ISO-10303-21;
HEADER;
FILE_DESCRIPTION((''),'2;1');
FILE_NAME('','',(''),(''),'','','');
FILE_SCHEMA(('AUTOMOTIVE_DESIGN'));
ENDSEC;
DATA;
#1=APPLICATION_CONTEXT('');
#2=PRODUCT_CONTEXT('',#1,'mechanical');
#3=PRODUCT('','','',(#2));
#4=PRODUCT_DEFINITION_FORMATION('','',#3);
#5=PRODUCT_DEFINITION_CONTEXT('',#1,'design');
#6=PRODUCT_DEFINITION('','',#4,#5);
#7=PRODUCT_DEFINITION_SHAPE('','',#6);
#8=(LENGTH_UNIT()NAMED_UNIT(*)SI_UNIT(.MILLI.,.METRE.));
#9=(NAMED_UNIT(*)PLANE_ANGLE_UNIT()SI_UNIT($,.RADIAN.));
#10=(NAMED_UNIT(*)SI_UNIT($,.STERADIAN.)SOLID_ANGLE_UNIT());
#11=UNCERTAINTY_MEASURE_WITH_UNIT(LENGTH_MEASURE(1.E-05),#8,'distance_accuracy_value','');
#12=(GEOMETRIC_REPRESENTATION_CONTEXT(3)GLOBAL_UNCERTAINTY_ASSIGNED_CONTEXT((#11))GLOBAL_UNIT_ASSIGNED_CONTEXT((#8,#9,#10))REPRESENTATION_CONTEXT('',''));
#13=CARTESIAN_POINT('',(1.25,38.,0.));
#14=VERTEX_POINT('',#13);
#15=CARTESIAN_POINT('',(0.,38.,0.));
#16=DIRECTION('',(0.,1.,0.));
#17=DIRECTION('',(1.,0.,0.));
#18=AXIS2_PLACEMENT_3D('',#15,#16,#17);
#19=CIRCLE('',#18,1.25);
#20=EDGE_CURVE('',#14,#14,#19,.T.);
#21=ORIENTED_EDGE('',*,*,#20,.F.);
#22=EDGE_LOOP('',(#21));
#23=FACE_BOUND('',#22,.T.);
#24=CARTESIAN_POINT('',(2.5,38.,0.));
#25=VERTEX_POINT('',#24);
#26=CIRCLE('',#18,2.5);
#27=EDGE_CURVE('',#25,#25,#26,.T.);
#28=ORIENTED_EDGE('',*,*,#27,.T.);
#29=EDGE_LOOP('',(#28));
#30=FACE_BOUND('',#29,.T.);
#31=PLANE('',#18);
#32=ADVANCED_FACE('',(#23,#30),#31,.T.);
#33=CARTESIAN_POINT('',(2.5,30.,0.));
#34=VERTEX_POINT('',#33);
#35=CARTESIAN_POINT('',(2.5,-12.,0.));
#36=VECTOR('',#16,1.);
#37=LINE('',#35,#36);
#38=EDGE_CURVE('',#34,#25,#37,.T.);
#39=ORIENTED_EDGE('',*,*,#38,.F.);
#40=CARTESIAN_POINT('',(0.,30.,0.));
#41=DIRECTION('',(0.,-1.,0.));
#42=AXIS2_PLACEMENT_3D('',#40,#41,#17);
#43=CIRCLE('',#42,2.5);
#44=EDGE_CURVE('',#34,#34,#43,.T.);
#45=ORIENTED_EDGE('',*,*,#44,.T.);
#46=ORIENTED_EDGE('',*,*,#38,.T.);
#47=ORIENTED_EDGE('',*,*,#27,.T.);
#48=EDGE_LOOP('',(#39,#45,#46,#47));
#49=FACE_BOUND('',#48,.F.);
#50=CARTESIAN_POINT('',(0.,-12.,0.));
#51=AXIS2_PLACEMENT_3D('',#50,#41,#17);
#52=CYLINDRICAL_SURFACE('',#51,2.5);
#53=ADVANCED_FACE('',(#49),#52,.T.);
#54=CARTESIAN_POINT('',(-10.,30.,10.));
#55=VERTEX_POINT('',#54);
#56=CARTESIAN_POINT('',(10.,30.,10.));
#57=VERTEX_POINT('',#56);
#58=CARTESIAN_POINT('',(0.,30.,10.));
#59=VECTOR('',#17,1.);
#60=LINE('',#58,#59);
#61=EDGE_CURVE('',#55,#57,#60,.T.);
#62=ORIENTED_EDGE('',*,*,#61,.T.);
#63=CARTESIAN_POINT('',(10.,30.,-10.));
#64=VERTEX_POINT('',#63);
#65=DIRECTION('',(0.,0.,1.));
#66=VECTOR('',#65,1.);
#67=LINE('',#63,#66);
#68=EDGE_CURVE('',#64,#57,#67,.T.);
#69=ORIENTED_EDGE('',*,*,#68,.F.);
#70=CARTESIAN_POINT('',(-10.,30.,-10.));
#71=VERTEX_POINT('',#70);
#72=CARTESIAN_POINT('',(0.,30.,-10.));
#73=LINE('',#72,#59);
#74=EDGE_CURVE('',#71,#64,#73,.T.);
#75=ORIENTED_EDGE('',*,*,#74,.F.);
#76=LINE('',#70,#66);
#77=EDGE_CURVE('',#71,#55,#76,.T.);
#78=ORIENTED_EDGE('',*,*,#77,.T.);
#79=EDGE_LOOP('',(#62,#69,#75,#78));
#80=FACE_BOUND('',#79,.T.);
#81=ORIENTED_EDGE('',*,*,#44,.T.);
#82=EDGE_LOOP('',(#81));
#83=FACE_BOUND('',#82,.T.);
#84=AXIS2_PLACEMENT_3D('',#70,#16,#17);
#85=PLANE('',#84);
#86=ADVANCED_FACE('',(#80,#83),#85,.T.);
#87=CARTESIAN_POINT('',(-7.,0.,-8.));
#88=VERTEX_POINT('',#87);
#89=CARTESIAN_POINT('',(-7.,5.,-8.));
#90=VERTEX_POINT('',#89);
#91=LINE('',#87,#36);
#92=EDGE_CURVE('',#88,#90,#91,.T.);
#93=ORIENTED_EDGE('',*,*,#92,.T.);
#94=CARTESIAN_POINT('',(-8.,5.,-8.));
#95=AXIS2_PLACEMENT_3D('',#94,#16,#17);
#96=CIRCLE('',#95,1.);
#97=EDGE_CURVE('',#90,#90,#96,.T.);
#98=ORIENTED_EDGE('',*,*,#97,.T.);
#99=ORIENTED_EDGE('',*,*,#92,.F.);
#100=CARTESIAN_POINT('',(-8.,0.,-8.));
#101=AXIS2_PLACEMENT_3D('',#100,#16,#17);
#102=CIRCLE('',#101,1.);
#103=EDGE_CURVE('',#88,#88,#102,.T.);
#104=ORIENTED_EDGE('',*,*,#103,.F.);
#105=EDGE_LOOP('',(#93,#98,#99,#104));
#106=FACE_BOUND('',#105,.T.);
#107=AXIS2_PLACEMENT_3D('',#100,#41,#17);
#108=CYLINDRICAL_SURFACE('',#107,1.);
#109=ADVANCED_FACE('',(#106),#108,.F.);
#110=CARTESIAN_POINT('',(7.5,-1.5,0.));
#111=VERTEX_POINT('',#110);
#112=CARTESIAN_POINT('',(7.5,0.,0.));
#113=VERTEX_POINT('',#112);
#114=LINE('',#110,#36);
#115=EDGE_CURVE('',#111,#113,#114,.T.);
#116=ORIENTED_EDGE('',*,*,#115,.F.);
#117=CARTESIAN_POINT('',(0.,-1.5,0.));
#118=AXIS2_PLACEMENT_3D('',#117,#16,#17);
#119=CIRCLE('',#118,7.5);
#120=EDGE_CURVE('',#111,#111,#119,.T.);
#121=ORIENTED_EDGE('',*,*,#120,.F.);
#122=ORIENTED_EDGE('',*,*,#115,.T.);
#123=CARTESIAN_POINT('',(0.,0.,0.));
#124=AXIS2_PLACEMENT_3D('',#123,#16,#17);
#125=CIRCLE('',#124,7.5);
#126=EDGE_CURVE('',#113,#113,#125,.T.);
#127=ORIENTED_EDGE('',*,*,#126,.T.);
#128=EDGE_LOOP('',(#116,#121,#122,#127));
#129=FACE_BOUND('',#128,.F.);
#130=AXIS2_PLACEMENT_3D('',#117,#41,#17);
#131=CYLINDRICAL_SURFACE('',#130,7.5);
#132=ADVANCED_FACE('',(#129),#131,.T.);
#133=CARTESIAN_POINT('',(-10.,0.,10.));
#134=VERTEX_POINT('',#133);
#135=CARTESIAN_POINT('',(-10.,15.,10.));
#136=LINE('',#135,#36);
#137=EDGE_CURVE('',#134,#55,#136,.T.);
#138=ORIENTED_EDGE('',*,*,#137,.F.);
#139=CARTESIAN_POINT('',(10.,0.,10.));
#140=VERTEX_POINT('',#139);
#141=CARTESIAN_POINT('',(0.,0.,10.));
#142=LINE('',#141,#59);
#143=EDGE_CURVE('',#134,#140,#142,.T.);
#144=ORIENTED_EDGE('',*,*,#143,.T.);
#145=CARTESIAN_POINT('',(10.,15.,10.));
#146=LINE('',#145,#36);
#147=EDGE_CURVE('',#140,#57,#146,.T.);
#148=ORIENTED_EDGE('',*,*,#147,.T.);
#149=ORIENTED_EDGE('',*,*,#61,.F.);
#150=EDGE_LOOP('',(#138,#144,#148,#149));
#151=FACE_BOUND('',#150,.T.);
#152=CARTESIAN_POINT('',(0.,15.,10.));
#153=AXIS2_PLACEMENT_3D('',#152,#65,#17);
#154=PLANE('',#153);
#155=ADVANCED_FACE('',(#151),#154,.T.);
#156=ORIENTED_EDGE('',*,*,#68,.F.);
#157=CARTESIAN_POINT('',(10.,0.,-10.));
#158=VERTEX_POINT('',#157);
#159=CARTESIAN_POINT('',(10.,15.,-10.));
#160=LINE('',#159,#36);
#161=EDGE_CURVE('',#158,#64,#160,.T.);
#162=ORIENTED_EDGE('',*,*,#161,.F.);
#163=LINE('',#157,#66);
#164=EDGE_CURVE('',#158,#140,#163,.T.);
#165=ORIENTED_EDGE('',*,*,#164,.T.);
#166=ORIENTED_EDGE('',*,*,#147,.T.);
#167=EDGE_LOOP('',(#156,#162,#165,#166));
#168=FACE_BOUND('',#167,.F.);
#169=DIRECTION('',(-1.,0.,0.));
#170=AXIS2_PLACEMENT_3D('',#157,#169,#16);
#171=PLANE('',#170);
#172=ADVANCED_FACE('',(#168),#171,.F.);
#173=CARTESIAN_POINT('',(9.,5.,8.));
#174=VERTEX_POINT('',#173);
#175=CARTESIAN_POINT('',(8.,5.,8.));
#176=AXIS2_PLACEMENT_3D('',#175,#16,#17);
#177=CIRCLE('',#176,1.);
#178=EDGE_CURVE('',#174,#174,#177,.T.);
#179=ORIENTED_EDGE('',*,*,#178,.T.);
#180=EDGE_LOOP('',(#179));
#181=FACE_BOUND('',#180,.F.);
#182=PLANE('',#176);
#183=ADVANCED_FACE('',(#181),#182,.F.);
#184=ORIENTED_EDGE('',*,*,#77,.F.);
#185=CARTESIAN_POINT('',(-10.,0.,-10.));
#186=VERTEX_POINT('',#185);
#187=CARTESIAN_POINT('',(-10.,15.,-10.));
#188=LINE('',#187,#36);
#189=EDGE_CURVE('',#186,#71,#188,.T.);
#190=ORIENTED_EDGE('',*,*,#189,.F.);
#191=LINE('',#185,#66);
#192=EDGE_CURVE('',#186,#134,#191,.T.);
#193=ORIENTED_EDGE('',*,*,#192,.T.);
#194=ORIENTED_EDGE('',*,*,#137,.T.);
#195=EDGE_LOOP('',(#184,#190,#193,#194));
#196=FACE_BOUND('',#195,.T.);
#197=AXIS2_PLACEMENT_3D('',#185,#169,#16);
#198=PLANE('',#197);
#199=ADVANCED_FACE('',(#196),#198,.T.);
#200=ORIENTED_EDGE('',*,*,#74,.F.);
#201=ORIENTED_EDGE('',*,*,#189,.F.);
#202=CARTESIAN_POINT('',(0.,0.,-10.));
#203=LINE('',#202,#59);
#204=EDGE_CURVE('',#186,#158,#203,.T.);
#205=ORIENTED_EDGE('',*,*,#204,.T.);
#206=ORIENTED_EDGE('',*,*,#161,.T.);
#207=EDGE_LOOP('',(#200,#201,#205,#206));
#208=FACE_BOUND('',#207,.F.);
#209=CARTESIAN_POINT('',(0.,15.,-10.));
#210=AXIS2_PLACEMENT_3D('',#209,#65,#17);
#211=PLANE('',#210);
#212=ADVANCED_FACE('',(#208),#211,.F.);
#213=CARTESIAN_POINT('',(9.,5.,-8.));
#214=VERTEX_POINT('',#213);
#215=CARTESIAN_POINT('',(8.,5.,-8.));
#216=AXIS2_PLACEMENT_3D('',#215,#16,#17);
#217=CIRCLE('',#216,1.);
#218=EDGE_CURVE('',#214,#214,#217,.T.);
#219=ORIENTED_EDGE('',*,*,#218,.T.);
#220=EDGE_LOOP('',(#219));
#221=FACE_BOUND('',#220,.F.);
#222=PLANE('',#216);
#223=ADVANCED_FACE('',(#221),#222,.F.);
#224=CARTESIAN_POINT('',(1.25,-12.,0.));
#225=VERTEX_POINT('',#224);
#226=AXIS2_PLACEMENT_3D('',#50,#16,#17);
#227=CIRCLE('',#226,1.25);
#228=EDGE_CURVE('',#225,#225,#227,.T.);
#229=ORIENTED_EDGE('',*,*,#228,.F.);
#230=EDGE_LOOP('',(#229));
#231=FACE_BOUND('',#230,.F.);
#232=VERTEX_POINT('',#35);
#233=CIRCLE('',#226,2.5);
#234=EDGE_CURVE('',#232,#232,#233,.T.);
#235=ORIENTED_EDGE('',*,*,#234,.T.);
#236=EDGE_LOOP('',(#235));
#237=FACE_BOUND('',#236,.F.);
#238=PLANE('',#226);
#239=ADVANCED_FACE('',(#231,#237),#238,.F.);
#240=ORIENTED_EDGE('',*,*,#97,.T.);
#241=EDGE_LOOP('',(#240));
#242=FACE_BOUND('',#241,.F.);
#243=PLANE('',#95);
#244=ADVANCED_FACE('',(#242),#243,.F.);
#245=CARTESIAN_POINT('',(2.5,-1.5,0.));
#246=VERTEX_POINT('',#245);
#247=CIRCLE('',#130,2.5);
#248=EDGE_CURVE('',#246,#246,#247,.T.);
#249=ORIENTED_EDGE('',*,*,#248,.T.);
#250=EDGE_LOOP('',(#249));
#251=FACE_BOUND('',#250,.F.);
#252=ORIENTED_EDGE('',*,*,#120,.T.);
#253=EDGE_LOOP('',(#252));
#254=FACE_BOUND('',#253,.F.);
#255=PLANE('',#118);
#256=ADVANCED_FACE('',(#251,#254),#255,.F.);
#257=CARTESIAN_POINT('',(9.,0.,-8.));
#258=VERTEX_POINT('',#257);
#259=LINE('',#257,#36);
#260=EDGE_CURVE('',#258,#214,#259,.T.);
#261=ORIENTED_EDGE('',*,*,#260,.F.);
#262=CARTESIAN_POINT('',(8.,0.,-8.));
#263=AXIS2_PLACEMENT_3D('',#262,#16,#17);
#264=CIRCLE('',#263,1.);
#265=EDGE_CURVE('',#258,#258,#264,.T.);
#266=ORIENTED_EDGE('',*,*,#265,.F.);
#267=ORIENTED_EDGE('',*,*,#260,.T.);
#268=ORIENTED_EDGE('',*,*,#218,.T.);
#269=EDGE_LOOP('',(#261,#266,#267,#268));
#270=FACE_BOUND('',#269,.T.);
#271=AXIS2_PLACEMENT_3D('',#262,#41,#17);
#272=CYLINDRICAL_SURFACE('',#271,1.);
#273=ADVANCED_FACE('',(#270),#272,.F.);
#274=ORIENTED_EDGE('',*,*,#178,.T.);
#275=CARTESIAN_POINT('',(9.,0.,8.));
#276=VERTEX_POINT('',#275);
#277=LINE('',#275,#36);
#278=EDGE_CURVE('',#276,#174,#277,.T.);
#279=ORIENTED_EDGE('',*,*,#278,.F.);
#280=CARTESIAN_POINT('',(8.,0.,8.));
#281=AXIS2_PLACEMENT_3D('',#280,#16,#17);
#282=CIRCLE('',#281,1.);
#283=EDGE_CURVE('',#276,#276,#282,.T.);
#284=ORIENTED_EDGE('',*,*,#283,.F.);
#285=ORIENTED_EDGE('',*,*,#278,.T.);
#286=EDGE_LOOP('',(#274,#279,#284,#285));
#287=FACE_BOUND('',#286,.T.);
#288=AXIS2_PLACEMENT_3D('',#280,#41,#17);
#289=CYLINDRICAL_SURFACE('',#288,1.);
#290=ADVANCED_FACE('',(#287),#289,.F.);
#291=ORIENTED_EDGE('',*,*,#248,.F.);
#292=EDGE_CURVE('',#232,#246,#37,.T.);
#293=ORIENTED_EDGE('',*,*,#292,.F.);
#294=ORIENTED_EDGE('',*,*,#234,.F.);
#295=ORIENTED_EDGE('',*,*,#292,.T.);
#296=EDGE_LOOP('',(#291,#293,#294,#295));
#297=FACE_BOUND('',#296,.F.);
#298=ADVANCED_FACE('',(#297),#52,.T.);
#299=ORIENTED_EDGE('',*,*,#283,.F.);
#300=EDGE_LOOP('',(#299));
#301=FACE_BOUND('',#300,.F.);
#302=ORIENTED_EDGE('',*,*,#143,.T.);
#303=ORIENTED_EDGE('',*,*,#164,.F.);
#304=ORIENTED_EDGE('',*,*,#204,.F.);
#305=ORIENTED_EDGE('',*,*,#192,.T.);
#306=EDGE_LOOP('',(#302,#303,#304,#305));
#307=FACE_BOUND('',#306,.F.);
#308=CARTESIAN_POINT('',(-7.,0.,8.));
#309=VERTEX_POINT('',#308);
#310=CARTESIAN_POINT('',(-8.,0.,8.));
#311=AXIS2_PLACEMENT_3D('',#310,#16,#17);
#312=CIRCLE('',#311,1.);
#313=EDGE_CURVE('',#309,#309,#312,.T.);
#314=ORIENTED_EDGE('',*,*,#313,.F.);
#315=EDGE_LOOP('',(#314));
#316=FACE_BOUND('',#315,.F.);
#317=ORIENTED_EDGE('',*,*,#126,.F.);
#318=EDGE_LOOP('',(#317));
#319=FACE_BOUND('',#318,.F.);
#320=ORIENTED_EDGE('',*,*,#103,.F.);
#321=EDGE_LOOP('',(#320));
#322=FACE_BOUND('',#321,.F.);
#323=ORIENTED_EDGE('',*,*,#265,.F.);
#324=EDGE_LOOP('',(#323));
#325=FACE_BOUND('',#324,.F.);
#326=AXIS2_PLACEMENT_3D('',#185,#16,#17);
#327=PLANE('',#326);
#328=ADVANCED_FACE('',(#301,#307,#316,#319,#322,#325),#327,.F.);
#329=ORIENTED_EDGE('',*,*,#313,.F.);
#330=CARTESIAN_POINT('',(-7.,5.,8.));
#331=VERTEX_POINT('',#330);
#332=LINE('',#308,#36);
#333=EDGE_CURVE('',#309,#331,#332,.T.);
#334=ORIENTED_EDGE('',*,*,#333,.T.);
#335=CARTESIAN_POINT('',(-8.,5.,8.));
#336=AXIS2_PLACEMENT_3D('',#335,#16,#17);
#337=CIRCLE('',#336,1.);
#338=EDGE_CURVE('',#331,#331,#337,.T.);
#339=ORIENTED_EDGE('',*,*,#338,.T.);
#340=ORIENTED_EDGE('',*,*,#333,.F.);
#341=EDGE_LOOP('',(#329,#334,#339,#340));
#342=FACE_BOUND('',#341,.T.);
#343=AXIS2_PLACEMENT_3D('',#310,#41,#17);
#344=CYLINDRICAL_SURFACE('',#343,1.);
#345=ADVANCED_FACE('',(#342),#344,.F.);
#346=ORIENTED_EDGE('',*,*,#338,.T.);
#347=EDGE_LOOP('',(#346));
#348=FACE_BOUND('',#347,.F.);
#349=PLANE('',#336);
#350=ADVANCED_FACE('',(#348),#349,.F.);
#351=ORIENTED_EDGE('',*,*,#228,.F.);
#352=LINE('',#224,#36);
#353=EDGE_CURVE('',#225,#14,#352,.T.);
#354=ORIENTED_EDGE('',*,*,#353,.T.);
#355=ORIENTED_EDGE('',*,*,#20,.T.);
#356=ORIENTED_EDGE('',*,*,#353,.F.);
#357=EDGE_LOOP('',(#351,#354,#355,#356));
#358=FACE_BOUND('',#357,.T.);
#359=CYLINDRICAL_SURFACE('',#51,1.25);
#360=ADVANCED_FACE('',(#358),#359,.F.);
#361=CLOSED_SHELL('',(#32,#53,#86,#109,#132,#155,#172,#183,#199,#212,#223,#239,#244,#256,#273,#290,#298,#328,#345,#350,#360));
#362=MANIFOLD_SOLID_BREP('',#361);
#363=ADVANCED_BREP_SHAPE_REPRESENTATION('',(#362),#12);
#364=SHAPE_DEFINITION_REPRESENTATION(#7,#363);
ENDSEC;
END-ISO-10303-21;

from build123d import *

# Parameters (mm, degrees)
CYLINDER002_R     = 1
CYLINDER002_DEPTH = 5
CYLINDER003_R     = 1
CYLINDER003_DEPTH = 5
CYLINDER004_R     = 1
CYLINDER004_DEPTH = 5
CYLINDER005_R     = 1.25
CYLINDER005_DEPTH = 50
CYLINDER001_R     = 1
CYLINDER001_DEPTH = 5
CYLINDER_R        = 7.5
CYLINDER_DEPTH    = 1.5
CYLINDER006_R     = 2.5
CYLINDER006_DEPTH = 50
BOX_W             = 20
BOX_H             = 30
BOX_DEPTH         = 20


with BuildPart() as cylinder002:
    # Cylinder002 → Cylinder002 (new body)
    with BuildSketch(Plane(origin=(-8, 0, 8), x_dir=(1, 0, 0), z_dir=(0, 1, 0))):
        Circle(CYLINDER002_R)
    extrude(amount=CYLINDER002_DEPTH)


with BuildPart() as cylinder003:
    # Cylinder003 → Cylinder003 (new body)
    with BuildSketch(Plane(origin=(8, 0, -8), x_dir=(1, 0, 0), z_dir=(0, 1, 0))):
        Circle(CYLINDER003_R)
    extrude(amount=CYLINDER003_DEPTH)


with BuildPart() as cylinder004:
    # Cylinder004 → Cylinder004 (new body)
    with BuildSketch(Plane(origin=(8, 0, 8), x_dir=(1, 0, 0), z_dir=(0, 1, 0))):
        Circle(CYLINDER004_R)
    extrude(amount=CYLINDER004_DEPTH)


with BuildPart() as cylinder005:
    # Cylinder005 → Cylinder005 (new body)
    with BuildSketch(Plane(origin=(0, -12, 0), x_dir=(1, 0, 0), z_dir=(0, 1, 0))):
        Circle(CYLINDER005_R)
    extrude(amount=CYLINDER005_DEPTH)


with BuildPart() as fusion002:
    # Cylinder001 → Cylinder001 (new body)
    with BuildSketch(Plane(origin=(-8, 0, -8), x_dir=(1, 0, 0), z_dir=(0, 1, 0))):
        Circle(CYLINDER001_R)
    extrude(amount=CYLINDER001_DEPTH)

    # Fusion002: union Cylinder002, Cylinder003, Cylinder004, Cylinder005
    add(cylinder002.part)
    add(cylinder003.part)
    add(cylinder004.part)
    add(cylinder005.part)


with BuildPart() as cylinder:
    # Cylinder → Cylinder (new body)
    with BuildSketch(Plane(origin=(0, -1.5, 0), x_dir=(1, 0, 0), z_dir=(0, 1, 0))):
        Circle(CYLINDER_R)
    extrude(amount=CYLINDER_DEPTH)


with BuildPart() as cylinder006:
    # Cylinder006 → Cylinder006 (new body)
    with BuildSketch(Plane(origin=(0, -12, 0), x_dir=(1, 0, 0), z_dir=(0, 1, 0))):
        Circle(CYLINDER006_R)
    extrude(amount=CYLINDER006_DEPTH)


with BuildPart() as hollowdoubleshaftstepper:
    # Box → Box (new body)
    with BuildSketch(Plane(origin=(-10, 0, -10), x_dir=(1, 0, 0), z_dir=(0, 0, 1))):
        with Locations((10, 15)):
            Rectangle(BOX_W, BOX_H)
    extrude(amount=BOX_DEPTH)

    # Fusion001: union Cylinder, Cylinder006
    add(cylinder.part)
    add(cylinder006.part)

    # Cut: cut Fusion002
    add(fusion002.part, mode=Mode.SUBTRACT)


solid = hollowdoubleshaftstepper.part
